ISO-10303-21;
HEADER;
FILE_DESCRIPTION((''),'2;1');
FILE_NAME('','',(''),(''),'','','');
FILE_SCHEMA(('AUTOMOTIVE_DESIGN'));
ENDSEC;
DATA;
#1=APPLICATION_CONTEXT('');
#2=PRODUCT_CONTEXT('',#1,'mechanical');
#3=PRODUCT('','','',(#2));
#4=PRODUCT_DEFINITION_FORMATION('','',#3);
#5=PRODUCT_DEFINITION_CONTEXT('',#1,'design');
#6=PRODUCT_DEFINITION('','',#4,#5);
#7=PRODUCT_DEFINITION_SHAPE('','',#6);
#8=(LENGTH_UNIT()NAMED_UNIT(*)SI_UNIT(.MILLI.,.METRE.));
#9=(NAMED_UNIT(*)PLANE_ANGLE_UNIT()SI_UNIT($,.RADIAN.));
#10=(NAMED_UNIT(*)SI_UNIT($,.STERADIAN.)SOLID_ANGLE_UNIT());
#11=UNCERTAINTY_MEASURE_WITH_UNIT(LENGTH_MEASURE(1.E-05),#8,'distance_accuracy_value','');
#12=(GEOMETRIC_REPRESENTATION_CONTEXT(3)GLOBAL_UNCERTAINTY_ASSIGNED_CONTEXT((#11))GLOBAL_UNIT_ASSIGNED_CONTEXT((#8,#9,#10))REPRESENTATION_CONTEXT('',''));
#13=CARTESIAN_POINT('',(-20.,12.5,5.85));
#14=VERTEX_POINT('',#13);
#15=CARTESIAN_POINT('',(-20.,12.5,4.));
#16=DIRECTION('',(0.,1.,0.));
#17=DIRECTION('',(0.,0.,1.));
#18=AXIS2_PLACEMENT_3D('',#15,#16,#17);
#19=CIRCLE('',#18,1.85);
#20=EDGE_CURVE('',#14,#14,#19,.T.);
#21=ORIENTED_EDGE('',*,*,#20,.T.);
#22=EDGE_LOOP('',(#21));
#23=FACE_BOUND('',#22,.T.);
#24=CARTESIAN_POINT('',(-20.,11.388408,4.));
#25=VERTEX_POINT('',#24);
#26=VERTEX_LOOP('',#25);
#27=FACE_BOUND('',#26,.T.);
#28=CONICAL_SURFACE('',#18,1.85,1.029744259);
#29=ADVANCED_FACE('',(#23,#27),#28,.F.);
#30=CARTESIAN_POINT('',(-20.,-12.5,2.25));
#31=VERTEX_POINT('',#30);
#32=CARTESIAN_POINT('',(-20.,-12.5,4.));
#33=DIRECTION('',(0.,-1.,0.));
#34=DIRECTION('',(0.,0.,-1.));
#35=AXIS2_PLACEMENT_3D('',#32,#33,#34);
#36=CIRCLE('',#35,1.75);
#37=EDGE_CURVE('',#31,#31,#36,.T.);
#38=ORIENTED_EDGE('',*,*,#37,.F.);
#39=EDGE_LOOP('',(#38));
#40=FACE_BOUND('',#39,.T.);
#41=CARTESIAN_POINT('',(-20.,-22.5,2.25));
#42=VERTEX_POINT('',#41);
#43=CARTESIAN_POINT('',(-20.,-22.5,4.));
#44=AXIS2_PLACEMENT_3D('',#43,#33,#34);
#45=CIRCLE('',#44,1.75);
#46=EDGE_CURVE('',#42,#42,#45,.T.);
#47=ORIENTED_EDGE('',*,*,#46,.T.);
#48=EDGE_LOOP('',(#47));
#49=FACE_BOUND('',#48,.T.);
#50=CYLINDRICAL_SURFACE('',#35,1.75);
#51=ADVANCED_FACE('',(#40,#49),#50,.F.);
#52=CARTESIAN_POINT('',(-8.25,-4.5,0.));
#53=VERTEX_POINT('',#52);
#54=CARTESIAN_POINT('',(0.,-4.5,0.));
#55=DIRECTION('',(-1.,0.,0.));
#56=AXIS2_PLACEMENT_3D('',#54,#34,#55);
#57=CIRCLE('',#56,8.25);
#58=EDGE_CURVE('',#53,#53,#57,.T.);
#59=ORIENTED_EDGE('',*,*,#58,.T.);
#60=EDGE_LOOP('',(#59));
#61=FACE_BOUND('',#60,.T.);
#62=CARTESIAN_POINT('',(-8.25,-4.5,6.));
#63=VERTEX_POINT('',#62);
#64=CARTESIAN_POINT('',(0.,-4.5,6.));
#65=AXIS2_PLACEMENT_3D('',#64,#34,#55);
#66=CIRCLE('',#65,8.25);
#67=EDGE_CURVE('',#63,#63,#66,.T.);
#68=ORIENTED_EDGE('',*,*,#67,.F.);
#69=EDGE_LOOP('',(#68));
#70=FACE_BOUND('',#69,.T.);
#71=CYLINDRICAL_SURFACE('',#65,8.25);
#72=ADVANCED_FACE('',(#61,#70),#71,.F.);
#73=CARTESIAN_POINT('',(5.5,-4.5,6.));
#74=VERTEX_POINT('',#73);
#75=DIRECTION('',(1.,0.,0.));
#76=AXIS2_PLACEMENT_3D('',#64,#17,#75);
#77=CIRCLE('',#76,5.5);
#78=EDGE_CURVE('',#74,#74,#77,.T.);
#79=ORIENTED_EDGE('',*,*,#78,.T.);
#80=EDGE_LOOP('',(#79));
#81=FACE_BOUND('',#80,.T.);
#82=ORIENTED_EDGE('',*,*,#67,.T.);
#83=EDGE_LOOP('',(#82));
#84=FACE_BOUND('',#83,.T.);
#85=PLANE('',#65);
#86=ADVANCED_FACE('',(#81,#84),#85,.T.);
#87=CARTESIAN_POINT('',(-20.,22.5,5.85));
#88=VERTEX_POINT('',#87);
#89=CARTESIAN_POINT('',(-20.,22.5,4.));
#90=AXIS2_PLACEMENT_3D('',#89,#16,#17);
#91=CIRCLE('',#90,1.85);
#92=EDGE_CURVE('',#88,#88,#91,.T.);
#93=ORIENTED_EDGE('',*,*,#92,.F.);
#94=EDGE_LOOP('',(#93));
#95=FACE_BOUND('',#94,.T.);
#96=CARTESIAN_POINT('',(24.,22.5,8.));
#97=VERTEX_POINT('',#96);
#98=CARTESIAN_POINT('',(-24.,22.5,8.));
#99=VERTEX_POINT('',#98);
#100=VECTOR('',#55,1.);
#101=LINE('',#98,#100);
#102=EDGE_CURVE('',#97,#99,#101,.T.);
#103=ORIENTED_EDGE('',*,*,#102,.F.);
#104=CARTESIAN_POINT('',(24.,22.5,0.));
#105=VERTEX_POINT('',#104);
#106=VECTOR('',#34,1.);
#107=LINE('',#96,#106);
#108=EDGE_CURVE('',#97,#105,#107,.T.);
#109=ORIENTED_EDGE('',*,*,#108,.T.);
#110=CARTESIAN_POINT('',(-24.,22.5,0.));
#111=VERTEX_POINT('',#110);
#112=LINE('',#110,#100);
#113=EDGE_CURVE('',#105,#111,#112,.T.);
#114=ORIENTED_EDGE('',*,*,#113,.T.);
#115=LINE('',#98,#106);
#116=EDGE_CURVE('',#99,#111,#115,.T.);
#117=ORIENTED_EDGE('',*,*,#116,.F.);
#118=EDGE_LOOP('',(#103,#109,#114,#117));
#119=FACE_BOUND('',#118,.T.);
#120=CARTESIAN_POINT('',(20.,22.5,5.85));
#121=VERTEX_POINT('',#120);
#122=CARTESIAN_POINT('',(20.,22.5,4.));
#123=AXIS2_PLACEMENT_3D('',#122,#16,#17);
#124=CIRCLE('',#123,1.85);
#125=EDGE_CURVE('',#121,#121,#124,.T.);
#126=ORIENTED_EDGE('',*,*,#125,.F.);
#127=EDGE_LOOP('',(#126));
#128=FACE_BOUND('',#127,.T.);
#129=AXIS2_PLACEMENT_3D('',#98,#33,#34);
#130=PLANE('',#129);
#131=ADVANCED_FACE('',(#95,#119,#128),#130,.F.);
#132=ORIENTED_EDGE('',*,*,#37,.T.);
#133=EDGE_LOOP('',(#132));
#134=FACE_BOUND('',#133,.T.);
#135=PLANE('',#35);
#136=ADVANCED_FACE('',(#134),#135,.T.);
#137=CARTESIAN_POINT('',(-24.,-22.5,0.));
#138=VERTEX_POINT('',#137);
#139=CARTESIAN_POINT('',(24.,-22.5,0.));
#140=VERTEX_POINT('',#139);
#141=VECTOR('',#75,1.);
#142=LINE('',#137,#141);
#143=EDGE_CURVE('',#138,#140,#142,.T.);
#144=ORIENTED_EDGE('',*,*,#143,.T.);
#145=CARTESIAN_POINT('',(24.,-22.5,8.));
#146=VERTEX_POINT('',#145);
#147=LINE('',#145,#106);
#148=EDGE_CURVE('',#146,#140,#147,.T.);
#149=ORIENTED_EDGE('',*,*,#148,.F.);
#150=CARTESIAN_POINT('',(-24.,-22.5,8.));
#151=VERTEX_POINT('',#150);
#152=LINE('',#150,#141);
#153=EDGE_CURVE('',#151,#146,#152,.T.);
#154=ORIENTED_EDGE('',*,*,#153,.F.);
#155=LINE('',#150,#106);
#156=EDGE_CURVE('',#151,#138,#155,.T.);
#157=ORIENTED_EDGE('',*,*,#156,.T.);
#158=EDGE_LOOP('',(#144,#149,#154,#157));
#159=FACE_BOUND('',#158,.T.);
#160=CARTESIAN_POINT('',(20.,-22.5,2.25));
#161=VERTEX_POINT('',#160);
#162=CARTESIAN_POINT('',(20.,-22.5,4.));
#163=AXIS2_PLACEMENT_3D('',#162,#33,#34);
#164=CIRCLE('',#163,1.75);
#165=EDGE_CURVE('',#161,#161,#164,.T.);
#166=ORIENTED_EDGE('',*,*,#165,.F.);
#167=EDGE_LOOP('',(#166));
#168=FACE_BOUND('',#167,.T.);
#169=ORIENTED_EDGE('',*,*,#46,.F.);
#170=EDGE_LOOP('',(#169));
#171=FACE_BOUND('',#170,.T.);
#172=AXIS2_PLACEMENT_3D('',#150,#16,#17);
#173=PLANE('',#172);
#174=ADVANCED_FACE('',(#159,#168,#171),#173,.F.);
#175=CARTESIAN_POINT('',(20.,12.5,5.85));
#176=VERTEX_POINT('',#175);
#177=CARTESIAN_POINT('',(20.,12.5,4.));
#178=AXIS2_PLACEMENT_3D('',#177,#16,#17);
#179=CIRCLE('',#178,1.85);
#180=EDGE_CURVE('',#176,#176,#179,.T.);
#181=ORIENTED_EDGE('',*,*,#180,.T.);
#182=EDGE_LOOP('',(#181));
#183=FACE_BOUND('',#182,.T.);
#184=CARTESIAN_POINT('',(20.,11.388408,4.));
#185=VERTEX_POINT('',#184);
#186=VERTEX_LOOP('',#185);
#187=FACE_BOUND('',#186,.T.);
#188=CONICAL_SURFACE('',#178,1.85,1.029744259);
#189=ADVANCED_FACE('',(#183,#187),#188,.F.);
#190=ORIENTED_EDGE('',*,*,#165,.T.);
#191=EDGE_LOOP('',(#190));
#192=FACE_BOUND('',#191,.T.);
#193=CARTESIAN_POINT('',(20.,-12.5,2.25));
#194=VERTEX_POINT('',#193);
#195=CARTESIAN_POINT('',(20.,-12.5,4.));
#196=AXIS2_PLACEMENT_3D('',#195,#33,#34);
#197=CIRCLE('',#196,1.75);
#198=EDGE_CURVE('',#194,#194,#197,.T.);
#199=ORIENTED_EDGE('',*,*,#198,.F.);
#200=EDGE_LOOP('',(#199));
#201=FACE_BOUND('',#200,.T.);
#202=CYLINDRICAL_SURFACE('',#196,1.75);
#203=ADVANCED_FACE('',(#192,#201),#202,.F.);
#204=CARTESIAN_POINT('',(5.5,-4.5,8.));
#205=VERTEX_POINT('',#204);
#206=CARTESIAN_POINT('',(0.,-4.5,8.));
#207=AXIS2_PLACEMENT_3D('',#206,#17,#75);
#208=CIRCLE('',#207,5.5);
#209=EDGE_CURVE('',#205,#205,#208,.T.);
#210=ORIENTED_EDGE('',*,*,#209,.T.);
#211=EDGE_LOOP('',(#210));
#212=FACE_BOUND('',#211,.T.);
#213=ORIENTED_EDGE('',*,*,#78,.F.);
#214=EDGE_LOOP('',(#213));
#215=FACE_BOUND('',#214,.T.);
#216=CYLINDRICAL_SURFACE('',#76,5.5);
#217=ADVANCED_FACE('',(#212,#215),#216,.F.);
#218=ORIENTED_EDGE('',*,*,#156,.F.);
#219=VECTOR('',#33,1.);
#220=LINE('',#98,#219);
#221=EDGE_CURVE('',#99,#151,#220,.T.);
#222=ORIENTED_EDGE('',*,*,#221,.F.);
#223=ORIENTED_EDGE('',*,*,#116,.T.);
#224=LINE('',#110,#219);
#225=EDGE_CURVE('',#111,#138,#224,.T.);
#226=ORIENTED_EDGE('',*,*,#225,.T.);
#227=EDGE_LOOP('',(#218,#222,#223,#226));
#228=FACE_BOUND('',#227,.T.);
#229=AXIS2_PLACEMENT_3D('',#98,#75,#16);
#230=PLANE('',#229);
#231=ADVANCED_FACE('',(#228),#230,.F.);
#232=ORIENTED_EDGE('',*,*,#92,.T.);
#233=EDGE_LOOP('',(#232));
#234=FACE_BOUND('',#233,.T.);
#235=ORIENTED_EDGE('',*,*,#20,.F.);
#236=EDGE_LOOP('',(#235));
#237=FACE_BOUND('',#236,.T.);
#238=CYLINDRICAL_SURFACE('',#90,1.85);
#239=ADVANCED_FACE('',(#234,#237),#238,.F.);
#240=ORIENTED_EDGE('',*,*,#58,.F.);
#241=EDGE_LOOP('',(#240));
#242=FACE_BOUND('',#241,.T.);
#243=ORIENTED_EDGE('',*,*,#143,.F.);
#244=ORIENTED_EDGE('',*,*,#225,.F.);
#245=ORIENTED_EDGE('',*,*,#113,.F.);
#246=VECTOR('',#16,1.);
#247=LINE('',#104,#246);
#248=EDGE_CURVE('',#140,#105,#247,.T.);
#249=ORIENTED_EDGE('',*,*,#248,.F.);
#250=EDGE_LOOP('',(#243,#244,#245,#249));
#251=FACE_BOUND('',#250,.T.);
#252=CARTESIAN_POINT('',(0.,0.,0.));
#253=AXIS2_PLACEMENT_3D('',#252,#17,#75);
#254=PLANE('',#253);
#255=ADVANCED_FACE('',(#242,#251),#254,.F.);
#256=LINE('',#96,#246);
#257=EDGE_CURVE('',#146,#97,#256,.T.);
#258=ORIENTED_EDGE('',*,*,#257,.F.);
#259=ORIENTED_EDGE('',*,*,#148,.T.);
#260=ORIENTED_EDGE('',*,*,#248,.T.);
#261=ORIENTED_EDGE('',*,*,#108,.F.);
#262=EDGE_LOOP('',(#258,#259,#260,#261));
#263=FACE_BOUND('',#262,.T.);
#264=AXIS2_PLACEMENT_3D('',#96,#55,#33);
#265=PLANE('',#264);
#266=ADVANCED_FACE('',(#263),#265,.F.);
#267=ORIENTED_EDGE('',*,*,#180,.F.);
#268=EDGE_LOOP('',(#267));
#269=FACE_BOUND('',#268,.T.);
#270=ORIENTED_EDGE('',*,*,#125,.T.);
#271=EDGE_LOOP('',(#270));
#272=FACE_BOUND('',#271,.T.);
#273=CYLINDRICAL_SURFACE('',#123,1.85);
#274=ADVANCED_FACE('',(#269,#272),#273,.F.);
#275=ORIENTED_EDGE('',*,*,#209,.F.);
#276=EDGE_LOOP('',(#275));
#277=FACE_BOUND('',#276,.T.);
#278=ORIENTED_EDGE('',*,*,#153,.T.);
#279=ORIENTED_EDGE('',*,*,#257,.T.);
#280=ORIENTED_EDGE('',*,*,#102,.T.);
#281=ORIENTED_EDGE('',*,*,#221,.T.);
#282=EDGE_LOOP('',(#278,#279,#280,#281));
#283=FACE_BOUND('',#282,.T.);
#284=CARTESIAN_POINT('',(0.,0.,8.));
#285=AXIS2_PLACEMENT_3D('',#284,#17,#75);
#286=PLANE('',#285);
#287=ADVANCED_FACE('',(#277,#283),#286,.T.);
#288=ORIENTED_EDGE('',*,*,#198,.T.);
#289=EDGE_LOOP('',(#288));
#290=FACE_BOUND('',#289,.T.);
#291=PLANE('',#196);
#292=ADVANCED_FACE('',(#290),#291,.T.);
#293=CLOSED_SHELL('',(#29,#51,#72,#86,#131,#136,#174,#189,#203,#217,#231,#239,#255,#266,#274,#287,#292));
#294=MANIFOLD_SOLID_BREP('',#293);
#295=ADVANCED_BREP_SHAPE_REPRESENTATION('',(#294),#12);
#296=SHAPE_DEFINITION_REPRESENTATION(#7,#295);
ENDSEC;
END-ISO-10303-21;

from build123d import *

# Parameters (mm, degrees)
ESQUISSE1_W                      = 48
ESQUISSE1_H                      = 45
BOSS_EXTRU_1_DEPTH               = 8
ESQUISSE5_R                      = 5.5
ENL_V_MAT_EXTRU_3_DEPTH          = 2
ESQUISSE4_R                      = 8.25
ENL_V_MAT_EXTRU_4_DEPTH          = 6
ESQUISSE2_R                      = 1.75
ENL_V_MAT_EXTRU_5_DEPTH          = 10
D_GAGEMENT_M3_51_D               = 3.7
D_GAGEMENT_M3_51_DEPTH           = 10
D_GAGEMENT_M3_51_TIP             = 1.111592145
D_GAGEMENT_M3_51_ON_FACE_2_D     = 3.7
D_GAGEMENT_M3_51_ON_FACE_2_DEPTH = 10
D_GAGEMENT_M3_51_ON_FACE_2_TIP   = 1.111592145


with BuildPart() as part:
    # Esquisse1 → Boss.-Extru.1 (new body)
    with BuildSketch(Plane.XY):
        Rectangle(ESQUISSE1_W, ESQUISSE1_H)
    extrude(amount=BOSS_EXTRU_1_DEPTH)

    # Esquisse5 → Enlèv. mat.-Extru.3 (cut)
    with BuildSketch(Plane.XY.offset(8)):
        with Locations((0, -4.5)):
            Circle(ESQUISSE5_R)
    extrude(amount=-ENL_V_MAT_EXTRU_3_DEPTH, mode=Mode.SUBTRACT)

    # Esquisse4 → Enlèv. mat.-Extru.4 (cut)
    with BuildSketch(Plane(origin=(0, 0, 0), x_dir=(-1, 0, 0), z_dir=(0, 0, -1))):
        with Locations((0, -4.5)):
            Circle(ESQUISSE4_R)
    extrude(amount=-ENL_V_MAT_EXTRU_4_DEPTH, mode=Mode.SUBTRACT)

    # Esquisse2 → Enlèv. mat.-Extru.5 (cut)
    with BuildSketch(Plane.XZ.offset(22.5)):
        with Locations((-20, 4)):
            Circle(ESQUISSE2_R)
        with Locations((20, 4)):
            Circle(ESQUISSE2_R)
    extrude(amount=-ENL_V_MAT_EXTRU_5_DEPTH, mode=Mode.SUBTRACT)

    # Dégagement M3.51
    with Locations(Plane(origin=(20, 22.5, 4), x_dir=(0, 0, 1), z_dir=(0, 1, 0))):
        with Locations((0, 0), (0, -40)):
            Hole(D_GAGEMENT_M3_51_D / 2, depth=D_GAGEMENT_M3_51_DEPTH)
            with Locations((0, 0, -(D_GAGEMENT_M3_51_DEPTH + D_GAGEMENT_M3_51_TIP / 2))):  # 118° drill point
                Cone(0, D_GAGEMENT_M3_51_D / 2, D_GAGEMENT_M3_51_TIP, mode=Mode.SUBTRACT)

    # Dégagement M3.51 on face 2
    with Locations(Plane(origin=(-58.361225935, 70.859654688, 0), x_dir=(0, 0, 1), z_dir=(0, 1, 0))):
        with Locations((0, 0)):
            Hole(D_GAGEMENT_M3_51_ON_FACE_2_D / 2, depth=D_GAGEMENT_M3_51_ON_FACE_2_DEPTH)
            with Locations((0, 0, -(D_GAGEMENT_M3_51_ON_FACE_2_DEPTH + D_GAGEMENT_M3_51_ON_FACE_2_TIP / 2))):  # 118° drill point
                Cone(0, D_GAGEMENT_M3_51_ON_FACE_2_D / 2, D_GAGEMENT_M3_51_ON_FACE_2_TIP, mode=Mode.SUBTRACT)


solid = part.part
